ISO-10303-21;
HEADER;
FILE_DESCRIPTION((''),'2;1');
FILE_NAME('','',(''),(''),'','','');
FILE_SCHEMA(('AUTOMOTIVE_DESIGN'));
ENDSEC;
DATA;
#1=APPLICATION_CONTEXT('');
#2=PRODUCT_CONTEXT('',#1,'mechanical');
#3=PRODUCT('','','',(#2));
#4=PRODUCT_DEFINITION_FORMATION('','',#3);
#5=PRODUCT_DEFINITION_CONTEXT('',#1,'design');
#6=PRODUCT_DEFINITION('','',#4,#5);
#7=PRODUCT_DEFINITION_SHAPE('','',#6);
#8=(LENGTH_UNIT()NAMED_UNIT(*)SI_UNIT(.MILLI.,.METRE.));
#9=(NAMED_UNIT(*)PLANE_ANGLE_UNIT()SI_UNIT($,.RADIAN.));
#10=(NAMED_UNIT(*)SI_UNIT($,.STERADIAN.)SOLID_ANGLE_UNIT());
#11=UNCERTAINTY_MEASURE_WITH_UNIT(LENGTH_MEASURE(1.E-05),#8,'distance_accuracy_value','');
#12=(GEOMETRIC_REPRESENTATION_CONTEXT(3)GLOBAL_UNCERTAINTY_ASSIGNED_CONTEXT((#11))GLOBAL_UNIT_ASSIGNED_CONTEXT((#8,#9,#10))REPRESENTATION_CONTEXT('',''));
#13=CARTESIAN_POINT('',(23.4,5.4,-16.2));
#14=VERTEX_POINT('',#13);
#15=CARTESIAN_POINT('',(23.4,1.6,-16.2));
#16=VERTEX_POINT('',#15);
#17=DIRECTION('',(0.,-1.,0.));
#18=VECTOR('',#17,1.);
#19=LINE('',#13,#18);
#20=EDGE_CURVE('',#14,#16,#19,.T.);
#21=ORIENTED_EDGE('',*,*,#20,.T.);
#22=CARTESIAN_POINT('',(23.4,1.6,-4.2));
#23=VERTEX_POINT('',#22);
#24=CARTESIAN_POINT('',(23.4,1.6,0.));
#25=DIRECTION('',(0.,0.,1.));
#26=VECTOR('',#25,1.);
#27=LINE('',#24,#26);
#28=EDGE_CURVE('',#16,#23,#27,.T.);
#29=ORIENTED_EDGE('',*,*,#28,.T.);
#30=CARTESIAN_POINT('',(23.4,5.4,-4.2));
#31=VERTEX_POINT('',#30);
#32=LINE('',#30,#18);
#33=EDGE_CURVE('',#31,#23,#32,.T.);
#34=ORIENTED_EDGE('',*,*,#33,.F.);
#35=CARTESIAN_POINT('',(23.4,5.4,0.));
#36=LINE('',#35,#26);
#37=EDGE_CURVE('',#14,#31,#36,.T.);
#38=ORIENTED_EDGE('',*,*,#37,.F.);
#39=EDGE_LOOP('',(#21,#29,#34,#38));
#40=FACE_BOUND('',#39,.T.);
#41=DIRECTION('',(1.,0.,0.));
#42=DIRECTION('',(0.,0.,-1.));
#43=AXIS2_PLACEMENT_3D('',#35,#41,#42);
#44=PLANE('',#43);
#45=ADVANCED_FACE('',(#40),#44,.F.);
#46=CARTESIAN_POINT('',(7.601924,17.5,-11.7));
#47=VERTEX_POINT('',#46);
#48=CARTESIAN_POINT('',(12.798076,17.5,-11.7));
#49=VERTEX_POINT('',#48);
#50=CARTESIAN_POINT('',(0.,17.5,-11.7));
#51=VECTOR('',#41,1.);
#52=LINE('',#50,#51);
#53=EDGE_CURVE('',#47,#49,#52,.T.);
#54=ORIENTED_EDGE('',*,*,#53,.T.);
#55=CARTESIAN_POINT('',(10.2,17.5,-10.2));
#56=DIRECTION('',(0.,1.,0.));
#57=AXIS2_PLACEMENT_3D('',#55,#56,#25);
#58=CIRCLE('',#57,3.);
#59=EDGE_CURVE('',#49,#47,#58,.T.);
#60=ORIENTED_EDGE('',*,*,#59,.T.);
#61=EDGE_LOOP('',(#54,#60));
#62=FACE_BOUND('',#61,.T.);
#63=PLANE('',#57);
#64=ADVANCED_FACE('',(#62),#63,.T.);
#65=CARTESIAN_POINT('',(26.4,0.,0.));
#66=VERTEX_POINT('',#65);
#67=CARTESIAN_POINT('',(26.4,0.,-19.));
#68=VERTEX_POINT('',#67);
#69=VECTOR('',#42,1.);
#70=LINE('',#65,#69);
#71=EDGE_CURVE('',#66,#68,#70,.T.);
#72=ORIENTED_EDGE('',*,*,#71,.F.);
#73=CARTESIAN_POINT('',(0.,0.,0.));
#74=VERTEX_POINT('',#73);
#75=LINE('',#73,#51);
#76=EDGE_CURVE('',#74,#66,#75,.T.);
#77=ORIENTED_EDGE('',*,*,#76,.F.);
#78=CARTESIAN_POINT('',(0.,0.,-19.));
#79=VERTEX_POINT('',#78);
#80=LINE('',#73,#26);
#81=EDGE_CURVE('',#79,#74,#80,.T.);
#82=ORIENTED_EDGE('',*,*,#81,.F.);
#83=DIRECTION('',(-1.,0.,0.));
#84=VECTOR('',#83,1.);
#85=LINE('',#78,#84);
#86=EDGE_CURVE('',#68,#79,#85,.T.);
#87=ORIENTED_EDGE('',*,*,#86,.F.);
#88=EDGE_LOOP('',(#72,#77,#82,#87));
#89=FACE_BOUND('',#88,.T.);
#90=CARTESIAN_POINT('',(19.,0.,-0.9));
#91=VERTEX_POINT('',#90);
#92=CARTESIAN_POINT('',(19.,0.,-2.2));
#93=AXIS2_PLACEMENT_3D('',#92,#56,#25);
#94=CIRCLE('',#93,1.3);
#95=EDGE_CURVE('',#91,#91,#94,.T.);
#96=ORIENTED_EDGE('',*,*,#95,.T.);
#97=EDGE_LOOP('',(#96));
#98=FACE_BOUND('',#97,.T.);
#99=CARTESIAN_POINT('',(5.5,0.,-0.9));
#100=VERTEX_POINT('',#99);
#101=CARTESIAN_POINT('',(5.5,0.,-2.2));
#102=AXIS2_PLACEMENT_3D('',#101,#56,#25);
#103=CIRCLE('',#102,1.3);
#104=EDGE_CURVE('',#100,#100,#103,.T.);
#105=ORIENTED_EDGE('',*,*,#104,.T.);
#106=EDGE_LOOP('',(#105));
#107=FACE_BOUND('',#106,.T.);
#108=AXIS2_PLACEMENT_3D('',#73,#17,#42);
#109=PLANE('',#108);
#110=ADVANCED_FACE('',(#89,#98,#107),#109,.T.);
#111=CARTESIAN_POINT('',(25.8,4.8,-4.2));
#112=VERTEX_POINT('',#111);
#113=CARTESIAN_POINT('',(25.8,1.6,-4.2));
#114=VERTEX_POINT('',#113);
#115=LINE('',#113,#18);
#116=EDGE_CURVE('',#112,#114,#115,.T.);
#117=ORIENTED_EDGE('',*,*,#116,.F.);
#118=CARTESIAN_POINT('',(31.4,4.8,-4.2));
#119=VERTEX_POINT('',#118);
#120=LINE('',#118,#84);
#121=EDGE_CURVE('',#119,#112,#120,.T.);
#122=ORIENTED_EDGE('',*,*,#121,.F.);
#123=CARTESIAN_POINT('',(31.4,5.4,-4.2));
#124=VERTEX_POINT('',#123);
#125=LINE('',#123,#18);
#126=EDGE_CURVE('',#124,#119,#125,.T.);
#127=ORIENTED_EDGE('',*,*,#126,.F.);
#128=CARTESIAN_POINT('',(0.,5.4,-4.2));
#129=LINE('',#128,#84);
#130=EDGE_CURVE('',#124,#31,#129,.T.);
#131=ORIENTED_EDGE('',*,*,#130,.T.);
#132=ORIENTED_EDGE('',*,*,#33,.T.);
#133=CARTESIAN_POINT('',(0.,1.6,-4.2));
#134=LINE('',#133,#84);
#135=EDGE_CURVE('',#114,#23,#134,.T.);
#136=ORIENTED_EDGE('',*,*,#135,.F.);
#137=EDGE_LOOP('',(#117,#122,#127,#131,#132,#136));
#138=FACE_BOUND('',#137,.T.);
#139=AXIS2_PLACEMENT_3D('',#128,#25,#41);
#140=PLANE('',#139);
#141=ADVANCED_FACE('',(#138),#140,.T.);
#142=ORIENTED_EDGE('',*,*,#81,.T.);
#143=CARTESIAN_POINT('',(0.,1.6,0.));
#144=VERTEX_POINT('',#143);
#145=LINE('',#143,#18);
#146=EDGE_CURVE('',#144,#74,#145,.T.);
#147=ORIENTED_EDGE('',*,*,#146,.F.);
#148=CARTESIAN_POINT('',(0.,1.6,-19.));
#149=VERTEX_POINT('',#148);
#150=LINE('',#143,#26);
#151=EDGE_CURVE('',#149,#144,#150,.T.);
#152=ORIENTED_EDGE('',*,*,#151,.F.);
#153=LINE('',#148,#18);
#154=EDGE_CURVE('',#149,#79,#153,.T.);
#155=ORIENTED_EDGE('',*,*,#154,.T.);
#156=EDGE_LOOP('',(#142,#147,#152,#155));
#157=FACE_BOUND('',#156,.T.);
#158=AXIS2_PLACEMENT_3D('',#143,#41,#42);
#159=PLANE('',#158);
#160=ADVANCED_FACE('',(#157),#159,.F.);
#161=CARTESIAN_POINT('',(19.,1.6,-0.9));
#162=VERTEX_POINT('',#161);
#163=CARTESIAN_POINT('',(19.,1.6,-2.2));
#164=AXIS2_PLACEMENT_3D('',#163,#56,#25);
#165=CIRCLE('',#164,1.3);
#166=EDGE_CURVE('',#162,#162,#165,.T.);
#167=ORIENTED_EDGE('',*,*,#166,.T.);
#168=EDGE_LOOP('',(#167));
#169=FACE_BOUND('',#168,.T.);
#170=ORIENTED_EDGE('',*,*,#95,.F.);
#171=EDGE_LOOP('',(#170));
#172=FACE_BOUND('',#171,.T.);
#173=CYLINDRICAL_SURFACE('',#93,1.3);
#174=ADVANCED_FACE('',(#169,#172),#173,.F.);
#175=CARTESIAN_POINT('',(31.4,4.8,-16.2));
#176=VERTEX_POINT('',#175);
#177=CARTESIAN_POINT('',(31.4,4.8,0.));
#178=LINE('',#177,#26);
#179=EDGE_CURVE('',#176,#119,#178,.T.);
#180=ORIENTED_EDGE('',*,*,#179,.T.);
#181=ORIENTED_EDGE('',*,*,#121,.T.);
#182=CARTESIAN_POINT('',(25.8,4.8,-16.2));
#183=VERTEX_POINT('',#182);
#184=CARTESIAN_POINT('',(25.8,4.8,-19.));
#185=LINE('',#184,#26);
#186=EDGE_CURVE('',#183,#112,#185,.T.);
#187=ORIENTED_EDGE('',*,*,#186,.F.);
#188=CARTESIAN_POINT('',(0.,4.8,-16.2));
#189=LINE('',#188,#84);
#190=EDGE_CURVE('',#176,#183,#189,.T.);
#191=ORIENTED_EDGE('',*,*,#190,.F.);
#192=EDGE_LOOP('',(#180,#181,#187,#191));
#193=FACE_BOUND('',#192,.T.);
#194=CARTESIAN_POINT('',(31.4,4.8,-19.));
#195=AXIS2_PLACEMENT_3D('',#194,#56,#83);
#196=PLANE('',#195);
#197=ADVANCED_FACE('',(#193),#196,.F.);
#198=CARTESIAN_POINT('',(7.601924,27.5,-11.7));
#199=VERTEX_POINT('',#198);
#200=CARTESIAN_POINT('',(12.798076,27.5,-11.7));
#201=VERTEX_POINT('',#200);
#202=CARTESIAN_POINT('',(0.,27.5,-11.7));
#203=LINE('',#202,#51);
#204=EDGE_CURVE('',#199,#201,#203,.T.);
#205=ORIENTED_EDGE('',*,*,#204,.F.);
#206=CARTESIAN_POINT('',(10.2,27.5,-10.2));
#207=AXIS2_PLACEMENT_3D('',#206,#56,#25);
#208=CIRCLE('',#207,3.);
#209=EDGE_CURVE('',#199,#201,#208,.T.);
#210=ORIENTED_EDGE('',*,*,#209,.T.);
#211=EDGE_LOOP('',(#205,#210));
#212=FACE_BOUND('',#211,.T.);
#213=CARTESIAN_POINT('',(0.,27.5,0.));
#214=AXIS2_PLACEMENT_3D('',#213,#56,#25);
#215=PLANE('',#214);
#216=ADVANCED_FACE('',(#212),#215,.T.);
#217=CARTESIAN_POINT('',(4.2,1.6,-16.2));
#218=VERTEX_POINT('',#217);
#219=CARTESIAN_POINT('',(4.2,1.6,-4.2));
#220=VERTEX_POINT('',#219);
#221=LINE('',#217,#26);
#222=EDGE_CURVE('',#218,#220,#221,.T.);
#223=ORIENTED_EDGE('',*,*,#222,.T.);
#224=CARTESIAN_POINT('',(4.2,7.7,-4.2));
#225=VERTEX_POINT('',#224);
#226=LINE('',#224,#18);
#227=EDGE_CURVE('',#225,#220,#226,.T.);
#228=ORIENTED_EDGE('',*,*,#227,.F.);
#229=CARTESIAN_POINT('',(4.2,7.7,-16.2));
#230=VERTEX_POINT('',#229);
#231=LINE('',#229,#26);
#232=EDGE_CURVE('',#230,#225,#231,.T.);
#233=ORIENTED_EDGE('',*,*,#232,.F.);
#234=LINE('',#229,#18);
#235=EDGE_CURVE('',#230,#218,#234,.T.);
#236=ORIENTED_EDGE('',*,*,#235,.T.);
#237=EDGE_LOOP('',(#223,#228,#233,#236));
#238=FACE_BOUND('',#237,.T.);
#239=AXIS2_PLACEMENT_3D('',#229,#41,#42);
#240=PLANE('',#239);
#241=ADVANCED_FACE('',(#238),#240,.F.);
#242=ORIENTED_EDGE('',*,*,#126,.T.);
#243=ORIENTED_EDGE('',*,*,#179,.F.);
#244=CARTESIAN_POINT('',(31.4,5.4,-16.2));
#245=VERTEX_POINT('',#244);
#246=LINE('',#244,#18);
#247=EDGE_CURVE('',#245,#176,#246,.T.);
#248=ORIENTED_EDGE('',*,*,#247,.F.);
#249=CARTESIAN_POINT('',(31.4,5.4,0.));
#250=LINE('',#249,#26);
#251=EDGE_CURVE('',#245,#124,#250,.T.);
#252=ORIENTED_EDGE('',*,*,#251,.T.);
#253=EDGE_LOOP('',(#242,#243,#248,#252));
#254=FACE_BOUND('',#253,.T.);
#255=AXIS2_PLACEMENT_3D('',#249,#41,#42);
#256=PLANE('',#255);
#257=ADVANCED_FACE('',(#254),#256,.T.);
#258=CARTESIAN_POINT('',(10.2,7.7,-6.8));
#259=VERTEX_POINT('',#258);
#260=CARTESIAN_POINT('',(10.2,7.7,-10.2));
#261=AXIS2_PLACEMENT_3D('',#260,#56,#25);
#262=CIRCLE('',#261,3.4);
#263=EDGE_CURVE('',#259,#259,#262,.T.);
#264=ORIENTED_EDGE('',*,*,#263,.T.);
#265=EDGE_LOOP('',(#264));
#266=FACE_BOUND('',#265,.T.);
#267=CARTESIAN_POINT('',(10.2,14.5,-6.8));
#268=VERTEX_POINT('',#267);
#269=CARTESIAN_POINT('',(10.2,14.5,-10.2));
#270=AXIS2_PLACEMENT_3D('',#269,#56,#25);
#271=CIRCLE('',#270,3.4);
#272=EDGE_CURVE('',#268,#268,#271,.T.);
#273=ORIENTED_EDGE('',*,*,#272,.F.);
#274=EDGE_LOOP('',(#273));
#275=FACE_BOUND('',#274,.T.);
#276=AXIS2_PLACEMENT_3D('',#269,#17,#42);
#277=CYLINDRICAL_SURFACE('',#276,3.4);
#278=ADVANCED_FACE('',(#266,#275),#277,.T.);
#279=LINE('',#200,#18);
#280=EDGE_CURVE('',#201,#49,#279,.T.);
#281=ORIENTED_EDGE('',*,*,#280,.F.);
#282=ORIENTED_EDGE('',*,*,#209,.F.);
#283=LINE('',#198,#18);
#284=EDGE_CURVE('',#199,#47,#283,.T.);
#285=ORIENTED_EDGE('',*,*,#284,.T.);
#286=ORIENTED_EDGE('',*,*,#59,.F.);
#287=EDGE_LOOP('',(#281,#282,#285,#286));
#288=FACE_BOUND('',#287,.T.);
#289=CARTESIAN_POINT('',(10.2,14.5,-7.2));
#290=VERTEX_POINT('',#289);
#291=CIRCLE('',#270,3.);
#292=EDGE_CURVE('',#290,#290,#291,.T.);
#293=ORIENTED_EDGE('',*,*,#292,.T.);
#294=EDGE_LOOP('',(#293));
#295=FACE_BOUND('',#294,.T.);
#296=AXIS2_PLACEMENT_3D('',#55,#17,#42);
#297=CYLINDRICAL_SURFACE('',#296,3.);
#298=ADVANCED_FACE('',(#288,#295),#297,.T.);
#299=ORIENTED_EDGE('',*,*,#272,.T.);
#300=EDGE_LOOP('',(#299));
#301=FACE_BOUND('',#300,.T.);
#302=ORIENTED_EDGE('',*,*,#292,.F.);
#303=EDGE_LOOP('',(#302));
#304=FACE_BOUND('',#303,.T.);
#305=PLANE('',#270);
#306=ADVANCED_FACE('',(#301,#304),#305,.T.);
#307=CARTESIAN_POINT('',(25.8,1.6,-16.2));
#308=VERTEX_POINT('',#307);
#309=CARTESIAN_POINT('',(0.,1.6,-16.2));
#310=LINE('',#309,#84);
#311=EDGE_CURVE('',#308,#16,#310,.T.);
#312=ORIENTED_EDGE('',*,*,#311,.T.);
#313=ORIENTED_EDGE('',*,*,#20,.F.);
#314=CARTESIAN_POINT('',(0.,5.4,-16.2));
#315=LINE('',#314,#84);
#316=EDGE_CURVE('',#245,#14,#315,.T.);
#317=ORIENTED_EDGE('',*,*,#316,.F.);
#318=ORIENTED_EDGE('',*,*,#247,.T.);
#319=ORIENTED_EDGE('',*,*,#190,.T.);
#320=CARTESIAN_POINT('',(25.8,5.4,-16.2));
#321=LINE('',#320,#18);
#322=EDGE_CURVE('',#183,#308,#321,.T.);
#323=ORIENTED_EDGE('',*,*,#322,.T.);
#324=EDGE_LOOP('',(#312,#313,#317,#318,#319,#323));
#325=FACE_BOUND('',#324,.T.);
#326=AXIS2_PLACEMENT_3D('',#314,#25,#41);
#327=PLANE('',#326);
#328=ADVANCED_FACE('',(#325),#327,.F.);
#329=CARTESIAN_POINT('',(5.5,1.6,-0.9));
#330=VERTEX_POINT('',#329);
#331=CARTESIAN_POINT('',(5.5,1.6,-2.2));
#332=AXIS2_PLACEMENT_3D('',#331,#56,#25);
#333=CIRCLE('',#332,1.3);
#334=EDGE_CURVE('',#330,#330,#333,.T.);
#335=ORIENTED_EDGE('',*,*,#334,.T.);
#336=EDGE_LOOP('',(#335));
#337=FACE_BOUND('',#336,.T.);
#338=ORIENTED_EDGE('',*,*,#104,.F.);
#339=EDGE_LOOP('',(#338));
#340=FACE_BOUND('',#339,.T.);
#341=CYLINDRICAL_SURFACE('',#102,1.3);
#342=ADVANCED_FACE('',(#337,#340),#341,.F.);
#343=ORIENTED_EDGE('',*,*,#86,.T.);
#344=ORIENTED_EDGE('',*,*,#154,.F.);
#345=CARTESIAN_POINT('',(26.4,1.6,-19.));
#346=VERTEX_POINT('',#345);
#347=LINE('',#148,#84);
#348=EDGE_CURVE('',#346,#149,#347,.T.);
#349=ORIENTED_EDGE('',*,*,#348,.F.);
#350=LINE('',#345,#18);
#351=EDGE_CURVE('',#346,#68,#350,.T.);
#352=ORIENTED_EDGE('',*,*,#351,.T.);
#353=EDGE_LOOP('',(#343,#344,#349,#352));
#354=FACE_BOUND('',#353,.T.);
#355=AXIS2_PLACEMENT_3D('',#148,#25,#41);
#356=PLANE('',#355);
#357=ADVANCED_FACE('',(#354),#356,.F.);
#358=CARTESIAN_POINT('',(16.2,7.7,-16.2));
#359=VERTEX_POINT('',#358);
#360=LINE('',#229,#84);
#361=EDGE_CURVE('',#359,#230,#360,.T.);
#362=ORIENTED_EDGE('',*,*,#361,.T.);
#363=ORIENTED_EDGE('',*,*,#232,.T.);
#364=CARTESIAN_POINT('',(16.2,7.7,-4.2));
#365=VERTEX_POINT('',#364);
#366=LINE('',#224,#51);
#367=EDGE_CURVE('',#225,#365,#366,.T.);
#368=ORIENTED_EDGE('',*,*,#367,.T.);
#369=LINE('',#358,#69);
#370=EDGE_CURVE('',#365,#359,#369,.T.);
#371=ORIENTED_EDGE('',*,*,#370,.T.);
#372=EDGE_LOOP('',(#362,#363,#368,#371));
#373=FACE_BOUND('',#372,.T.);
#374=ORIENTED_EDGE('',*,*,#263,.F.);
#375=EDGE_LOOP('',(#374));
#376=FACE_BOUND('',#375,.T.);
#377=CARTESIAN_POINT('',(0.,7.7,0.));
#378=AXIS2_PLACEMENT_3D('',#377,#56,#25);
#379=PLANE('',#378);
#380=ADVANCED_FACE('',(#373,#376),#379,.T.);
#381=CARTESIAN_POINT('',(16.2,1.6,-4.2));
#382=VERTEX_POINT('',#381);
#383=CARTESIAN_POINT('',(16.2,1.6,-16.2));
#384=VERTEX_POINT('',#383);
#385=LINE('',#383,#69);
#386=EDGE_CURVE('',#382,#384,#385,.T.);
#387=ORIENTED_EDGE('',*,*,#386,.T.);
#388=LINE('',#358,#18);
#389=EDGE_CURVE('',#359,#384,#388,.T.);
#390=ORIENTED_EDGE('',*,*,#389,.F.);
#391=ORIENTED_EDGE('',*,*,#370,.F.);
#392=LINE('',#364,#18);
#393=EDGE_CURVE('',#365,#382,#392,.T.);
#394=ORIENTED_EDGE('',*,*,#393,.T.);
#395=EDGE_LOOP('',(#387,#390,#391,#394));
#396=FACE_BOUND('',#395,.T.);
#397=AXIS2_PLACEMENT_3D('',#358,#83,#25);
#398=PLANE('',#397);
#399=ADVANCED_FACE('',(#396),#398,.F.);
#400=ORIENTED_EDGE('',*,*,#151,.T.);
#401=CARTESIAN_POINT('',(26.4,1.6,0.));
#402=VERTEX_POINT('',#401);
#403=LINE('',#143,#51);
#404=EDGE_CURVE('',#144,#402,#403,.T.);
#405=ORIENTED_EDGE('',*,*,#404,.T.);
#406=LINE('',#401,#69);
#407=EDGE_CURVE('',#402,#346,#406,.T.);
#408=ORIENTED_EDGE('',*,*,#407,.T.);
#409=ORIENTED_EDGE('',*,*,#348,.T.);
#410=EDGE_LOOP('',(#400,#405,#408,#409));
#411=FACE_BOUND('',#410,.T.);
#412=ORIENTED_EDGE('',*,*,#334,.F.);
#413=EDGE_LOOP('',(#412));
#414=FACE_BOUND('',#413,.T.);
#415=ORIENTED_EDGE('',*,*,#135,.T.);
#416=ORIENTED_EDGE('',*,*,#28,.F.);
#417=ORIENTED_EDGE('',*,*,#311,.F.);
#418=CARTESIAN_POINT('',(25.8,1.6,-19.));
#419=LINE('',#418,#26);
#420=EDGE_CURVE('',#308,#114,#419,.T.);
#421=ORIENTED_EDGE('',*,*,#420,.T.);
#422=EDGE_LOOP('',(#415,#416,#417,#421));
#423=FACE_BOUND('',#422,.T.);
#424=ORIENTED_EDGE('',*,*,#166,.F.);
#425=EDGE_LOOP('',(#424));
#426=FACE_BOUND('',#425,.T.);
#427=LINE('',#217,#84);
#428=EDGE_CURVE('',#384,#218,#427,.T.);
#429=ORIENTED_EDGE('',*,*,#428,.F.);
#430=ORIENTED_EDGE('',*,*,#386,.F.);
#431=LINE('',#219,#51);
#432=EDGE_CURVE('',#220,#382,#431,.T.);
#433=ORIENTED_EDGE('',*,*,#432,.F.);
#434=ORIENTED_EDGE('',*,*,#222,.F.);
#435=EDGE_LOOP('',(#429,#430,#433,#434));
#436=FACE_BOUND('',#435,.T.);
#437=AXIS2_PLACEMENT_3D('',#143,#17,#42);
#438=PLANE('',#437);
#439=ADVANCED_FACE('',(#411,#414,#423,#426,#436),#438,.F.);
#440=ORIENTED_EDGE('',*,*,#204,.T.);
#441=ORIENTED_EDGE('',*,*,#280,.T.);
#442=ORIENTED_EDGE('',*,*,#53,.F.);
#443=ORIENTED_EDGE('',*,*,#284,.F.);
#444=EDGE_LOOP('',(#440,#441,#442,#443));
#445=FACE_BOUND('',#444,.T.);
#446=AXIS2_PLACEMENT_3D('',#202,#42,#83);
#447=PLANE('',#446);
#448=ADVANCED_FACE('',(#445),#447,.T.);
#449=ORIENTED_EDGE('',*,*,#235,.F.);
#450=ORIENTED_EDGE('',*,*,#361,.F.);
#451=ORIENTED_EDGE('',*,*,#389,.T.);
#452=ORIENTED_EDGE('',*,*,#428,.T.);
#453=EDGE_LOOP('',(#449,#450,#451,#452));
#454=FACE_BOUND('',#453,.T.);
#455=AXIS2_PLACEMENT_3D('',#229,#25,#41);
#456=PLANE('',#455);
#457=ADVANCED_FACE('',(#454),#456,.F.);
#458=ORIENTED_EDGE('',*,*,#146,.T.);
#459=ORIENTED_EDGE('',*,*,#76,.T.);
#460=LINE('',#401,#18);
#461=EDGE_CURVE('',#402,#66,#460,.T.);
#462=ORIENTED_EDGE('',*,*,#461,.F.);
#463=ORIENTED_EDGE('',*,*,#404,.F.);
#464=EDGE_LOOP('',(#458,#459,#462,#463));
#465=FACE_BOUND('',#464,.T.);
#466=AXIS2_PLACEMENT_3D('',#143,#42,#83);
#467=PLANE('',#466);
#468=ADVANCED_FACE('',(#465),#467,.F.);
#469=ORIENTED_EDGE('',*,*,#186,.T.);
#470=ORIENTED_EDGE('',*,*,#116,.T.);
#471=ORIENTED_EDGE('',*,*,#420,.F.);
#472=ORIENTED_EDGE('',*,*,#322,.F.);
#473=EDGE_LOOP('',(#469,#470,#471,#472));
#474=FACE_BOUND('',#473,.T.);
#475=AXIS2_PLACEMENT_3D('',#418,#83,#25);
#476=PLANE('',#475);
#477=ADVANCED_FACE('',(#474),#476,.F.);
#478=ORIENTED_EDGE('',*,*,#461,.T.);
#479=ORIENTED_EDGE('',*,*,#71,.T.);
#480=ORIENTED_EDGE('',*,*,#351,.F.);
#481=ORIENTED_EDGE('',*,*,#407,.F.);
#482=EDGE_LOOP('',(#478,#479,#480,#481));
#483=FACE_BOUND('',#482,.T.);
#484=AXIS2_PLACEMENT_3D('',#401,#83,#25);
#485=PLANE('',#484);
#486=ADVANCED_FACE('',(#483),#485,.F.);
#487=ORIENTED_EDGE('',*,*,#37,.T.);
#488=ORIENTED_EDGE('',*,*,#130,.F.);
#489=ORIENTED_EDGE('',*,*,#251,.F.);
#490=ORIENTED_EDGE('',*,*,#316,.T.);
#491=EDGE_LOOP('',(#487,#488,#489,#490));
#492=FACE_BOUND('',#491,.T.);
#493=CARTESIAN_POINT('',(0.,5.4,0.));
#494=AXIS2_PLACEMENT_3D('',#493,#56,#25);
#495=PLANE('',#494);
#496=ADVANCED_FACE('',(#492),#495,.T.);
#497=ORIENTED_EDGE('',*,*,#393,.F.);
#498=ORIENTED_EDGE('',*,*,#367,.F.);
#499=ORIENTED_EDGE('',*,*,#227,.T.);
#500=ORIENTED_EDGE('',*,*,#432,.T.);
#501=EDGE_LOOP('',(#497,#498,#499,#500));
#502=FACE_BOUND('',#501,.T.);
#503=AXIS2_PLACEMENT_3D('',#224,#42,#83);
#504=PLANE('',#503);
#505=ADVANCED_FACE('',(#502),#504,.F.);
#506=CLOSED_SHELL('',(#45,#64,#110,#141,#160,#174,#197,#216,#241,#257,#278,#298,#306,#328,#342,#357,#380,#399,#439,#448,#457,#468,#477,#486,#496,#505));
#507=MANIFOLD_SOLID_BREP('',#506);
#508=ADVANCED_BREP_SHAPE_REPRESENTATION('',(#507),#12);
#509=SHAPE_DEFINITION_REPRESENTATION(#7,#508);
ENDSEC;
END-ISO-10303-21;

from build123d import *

# Parameters (mm, degrees)
SKETCH2_W           = 26.4
SKETCH2_H           = 19
BOSS_EXTRUDE1_DEPTH = 1.6
SKETCH3_R           = 1.3
CUT_EXTRUDE1_DEPTH  = 33.56562605
SKETCH4_W           = 12
SKETCH4_H           = 12
BOSS_EXTRUDE2_DEPTH = 6.1
SKETCH5_R           = 3.4
BOSS_EXTRUDE3_DEPTH = 6.8
SKETCH6_R           = 3
BOSS_EXTRUDE4_DEPTH = 3
BOSS_EXTRUDE5_DEPTH = 10
SKETCH8_W           = 3
SKETCH8_H           = 12
SKETCH8_W_2         = 5
BOSS_EXTRUDE6_DEPTH = 3.8
SKETCH9_W           = 5.6
SKETCH9_H           = 3.2
CUT_EXTRUDE2_DEPTH  = 45.286002303


with BuildPart() as part:
    # Sketch2 → Boss-Extrude1 (new body)
    with BuildSketch(Plane(origin=(0, 0, 0), x_dir=(1, 0, 0), z_dir=(0, 1, 0))):
        with Locations((13.2, 9.5)):
            Rectangle(SKETCH2_W, SKETCH2_H)
    extrude(amount=BOSS_EXTRUDE1_DEPTH)

    # Sketch3 → Cut-Extrude1 (cut, through all)
    with BuildSketch(Plane(origin=(0, 1.6, 0), x_dir=(1, 0, 0), z_dir=(0, 1, 0))):
        with Locations(Location((5.5, 2.2, 0), (0, 0, 270))):
            Circle(SKETCH3_R)
        with Locations(Location((19, 2.2, 0), (0, 0, 270))):
            Circle(SKETCH3_R)
    extrude(amount=-CUT_EXTRUDE1_DEPTH, mode=Mode.SUBTRACT)

    # Sketch4 → Boss-Extrude2 (add)
    with BuildSketch(Plane(origin=(0, 1.6, 0), x_dir=(1, 0, 0), z_dir=(0, 1, 0))):
        with Locations((10.2, 10.2)):
            Rectangle(SKETCH4_W, SKETCH4_H)
    extrude(amount=BOSS_EXTRUDE2_DEPTH)

    # Sketch5 → Boss-Extrude3 (add)
    with BuildSketch(Plane(origin=(0, 7.7, 0), x_dir=(1, 0, 0), z_dir=(0, 1, 0))):
        with Locations(Location((10.2, 10.2, 0), (0, 0, 270))):
            Circle(SKETCH5_R)
    extrude(amount=BOSS_EXTRUDE3_DEPTH)

    # Sketch6 → Boss-Extrude4 (add)
    with BuildSketch(Plane(origin=(0, 14.5, 0), x_dir=(1, 0, 0), z_dir=(0, 1, 0))):
        with Locations(Location((10.2, 10.2, 0), (0, 0, 270))):
            Circle(SKETCH6_R)
    extrude(amount=BOSS_EXTRUDE4_DEPTH)

    # Sketch7 → Boss-Extrude5 (add)
    with BuildSketch(Plane(origin=(0, 17.5, 0), x_dir=(1, 0, 0), z_dir=(0, 1, 0))):
        with BuildLine():
            ThreePointArc((13.2, 10.2), (13.097777479, 10.976457135), (12.798076211, 11.7))
            Line((12.798076211, 11.7), (12.798076211, 8.7))
            ThreePointArc((12.798076211, 8.7), (13.097777479, 9.423542865), (13.2, 10.2))
        make_face()
        with BuildLine():
            Line((7.601923789, 8.7), (7.601923789, 11.7))
            ThreePointArc((7.601923789, 11.7), (7.2, 10.2), (7.601923789, 8.7))
        make_face()
        with BuildLine():
            Line((12.798076211, 11.7), (7.601923789, 11.7))
            Line((7.601923789, 11.7), (7.601923789, 8.7))
            ThreePointArc((7.601923789, 8.7), (8.7, 7.601923789), (10.2, 7.2))
            ThreePointArc((10.2, 7.2), (11.7, 7.601923789), (12.798076211, 8.7))
            Line((12.798076211, 8.7), (12.798076211, 11.7))
        make_face()
    extrude(amount=BOSS_EXTRUDE5_DEPTH)

    # Sketch8 → Boss-Extrude6 (add)
    with BuildSketch(Plane(origin=(0, 1.6, 0), x_dir=(1, 0, 0), z_dir=(0, 1, 0))):
        with Locations((24.9, 10.2)):
            Rectangle(SKETCH8_W, SKETCH8_H)
        with Locations((28.9, 10.2)):
            Rectangle(SKETCH8_W_2, SKETCH8_H)
    extrude(amount=BOSS_EXTRUDE6_DEPTH)

    # Sketch9 → Cut-Extrude2 (cut, through all)
    with BuildSketch(Plane.XY.offset(-4.2)):
        with Locations((28.6, 3.2)):
            Rectangle(SKETCH9_W, SKETCH9_H)
    extrude(amount=-CUT_EXTRUDE2_DEPTH, mode=Mode.SUBTRACT)


solid = part.part
